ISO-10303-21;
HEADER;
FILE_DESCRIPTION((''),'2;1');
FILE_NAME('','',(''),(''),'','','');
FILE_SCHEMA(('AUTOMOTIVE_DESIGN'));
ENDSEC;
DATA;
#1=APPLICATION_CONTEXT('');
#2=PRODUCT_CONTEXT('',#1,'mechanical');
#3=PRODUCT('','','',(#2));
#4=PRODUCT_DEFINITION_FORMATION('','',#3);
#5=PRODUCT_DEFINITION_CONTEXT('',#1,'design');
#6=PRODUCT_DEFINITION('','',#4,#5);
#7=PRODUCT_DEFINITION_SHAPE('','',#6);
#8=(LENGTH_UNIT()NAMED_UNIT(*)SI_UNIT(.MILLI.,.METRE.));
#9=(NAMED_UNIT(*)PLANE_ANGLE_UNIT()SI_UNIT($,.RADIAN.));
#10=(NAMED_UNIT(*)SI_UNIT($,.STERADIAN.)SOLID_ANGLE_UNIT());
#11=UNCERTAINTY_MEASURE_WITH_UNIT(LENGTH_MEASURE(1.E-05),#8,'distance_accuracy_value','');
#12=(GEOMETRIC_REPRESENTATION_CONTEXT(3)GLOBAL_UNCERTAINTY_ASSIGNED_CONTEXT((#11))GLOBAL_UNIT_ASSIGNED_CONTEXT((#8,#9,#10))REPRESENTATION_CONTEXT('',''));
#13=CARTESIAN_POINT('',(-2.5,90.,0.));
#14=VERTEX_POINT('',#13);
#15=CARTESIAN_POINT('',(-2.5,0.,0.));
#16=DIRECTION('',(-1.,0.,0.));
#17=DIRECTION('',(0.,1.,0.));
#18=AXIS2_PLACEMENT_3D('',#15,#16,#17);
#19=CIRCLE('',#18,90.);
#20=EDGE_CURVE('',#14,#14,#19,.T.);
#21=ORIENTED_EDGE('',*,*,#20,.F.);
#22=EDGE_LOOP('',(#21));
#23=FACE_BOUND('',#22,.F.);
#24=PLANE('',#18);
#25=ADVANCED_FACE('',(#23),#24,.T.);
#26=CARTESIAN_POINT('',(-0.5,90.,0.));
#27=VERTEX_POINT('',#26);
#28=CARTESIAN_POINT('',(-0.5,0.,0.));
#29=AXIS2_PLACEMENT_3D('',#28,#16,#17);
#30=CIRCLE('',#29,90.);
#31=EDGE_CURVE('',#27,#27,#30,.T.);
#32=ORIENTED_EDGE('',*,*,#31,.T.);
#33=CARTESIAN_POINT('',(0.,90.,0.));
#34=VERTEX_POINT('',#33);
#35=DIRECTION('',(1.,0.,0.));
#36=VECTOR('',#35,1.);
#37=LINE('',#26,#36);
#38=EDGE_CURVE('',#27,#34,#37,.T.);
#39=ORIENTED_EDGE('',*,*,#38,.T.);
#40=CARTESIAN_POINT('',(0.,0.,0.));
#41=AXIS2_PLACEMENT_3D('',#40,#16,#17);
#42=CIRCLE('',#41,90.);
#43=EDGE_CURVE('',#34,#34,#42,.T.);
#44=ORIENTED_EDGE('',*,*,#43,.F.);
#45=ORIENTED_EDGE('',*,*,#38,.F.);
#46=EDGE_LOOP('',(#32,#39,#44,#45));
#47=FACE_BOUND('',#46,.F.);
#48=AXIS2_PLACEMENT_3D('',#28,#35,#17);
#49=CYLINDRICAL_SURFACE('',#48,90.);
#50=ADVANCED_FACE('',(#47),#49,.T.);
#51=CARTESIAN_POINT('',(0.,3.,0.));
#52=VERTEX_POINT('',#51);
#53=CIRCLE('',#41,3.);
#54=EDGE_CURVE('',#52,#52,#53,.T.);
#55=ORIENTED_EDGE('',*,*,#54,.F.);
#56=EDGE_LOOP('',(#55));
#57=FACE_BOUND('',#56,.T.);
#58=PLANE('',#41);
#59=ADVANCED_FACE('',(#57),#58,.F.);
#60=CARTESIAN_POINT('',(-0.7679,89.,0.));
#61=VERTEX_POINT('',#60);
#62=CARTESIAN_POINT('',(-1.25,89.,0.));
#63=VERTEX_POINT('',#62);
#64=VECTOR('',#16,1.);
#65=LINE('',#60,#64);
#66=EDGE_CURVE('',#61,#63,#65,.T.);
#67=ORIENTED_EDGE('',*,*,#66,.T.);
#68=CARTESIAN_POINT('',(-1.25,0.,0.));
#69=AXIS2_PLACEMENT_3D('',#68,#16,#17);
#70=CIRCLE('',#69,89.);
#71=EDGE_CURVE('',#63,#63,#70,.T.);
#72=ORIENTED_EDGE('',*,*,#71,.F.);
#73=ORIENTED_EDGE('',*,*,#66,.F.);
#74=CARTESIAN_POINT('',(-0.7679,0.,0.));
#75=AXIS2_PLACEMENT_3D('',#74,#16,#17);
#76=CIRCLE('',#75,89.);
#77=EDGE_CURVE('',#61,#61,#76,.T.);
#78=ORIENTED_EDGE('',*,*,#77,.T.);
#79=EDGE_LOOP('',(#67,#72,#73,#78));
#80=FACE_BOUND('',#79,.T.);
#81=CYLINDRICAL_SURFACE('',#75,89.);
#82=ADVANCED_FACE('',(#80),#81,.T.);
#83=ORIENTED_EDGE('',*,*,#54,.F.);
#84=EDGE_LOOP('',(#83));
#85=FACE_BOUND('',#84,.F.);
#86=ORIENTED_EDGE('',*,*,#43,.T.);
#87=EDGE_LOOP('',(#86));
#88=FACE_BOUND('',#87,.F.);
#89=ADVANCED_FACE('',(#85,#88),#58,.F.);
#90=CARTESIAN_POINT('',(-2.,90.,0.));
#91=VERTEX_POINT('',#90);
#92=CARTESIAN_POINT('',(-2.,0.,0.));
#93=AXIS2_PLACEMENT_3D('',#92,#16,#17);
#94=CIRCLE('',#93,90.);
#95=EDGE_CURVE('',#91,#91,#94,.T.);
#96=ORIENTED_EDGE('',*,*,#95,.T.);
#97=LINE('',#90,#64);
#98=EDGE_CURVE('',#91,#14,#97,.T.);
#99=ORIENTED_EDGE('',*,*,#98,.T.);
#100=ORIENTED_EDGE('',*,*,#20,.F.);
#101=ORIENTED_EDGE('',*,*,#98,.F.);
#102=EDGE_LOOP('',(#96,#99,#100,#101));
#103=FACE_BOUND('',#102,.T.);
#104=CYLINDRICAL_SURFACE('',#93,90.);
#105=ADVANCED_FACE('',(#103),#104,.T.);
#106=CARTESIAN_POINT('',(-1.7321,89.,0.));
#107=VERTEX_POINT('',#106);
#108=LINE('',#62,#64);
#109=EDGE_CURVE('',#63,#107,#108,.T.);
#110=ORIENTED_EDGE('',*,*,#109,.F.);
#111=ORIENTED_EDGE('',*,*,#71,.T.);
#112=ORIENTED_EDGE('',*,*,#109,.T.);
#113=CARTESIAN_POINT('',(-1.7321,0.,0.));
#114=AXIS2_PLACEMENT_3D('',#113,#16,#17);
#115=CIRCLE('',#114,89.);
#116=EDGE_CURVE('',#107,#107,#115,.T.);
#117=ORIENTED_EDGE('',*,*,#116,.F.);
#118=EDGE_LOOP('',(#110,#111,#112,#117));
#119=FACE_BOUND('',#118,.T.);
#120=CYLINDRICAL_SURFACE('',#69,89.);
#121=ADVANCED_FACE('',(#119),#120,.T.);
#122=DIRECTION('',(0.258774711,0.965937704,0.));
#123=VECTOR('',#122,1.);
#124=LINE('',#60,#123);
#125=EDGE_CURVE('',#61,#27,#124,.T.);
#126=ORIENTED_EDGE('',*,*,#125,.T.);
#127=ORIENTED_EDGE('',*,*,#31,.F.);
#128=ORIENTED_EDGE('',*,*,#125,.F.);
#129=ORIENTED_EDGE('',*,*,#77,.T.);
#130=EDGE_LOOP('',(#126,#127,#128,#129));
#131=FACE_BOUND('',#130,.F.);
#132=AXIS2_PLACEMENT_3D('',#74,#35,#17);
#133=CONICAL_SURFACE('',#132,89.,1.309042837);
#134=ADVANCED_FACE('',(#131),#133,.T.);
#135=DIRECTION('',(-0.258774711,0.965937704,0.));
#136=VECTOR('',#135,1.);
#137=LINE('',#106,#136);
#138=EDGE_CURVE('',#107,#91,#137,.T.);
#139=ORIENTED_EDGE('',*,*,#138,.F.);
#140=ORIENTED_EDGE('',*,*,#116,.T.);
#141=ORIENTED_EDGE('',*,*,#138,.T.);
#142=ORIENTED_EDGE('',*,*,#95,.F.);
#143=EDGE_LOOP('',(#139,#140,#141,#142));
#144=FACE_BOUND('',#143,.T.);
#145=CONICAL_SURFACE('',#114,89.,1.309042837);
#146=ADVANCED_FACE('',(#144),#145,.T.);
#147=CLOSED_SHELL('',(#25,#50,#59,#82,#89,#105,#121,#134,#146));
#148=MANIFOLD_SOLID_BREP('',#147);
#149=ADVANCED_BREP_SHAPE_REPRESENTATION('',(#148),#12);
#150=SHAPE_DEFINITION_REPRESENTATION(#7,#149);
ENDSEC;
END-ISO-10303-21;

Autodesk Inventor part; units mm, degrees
ref_plane "YZ Plane" through (0, 0, 0) normal (1, 0, 0) x (0, 1, 0)
ref_plane "XZ Plane" through (0, 0, 0) normal (0, 1, 0) x (-1, 0, 0)
ref_plane "XY Plane" through (0, 0, 0) normal (0, 0, 1) x (1, 0, 0)
revolve "Revolution1" [suppressed]
sketch "Sketch2" plane through (0, 0, 0) normal (0, 0, 1) x (1, 0, 0)
  line L0 (0, -3) -> (0, 3) projected
  line L1 (0, 0) -> (-2.5, 0)
  line L2 (-2.5, 0) -> (-2.5, 90)
  line L3 (-2.5, 90) -> (0, 90) construction
  line L4 (0, 90) -> (0, 0)
  line L5 (-1.25, 90) -> (-1.25, 89) construction
  line L6 (-1.25, 89) -> (-1.7321, 89)
  line L7 (-1.7321, 89) -> (-2, 90)
  line L8 (-0.7679, 89) -> (-0.5, 90)
  line L9 (-0.7679, 89) -> (-1.25, 89)
  line L10 (-2, 90) -> (-2.5, 90)
  line L11 (-0.5, 90) -> (0, 90)
  dimension "d8" = 90
  dimension "d9" = 2.5
  dimension "d10" = 1
  dimension "d11" = 15
  dimension "d12" = 0.75
revolve "Revolution2" add sketch "Sketch2" angle 360 about axis through (0, 0, 0) along (-1, 0, 0)
sketch "Sketch3" plane through (16, 0, 0) normal (1, 0, 0) x (0, 0, -1)
  circle A0 centre (0, 0) radius 11 projected
  circle A1 centre (0, 0) radius 10 projected
  circle A2 centre (0, 0) radius 11 projected
  circle A3 centre (0, 7) radius 2.5
  circle A4 centre (0, 0) radius 3 construction
  dimension "d14" = 7
  dimension "d15" = 5
  dimension "d16" = 6
extrude "Extrusion1" [suppressed]
pattern_circular "Circular Pattern1" [suppressed]
sketch "Sketch4" plane through (16, 0, 0) normal (1, 0, 0) x (0, 0, -1)
  circle A0 centre (0, 0) radius 11 projected
  circle A1 centre (0, 0) radius 2.5
  dimension "d22" = 5
extrude "Extrusion2" [suppressed]
properties part number "Pulley3d"
